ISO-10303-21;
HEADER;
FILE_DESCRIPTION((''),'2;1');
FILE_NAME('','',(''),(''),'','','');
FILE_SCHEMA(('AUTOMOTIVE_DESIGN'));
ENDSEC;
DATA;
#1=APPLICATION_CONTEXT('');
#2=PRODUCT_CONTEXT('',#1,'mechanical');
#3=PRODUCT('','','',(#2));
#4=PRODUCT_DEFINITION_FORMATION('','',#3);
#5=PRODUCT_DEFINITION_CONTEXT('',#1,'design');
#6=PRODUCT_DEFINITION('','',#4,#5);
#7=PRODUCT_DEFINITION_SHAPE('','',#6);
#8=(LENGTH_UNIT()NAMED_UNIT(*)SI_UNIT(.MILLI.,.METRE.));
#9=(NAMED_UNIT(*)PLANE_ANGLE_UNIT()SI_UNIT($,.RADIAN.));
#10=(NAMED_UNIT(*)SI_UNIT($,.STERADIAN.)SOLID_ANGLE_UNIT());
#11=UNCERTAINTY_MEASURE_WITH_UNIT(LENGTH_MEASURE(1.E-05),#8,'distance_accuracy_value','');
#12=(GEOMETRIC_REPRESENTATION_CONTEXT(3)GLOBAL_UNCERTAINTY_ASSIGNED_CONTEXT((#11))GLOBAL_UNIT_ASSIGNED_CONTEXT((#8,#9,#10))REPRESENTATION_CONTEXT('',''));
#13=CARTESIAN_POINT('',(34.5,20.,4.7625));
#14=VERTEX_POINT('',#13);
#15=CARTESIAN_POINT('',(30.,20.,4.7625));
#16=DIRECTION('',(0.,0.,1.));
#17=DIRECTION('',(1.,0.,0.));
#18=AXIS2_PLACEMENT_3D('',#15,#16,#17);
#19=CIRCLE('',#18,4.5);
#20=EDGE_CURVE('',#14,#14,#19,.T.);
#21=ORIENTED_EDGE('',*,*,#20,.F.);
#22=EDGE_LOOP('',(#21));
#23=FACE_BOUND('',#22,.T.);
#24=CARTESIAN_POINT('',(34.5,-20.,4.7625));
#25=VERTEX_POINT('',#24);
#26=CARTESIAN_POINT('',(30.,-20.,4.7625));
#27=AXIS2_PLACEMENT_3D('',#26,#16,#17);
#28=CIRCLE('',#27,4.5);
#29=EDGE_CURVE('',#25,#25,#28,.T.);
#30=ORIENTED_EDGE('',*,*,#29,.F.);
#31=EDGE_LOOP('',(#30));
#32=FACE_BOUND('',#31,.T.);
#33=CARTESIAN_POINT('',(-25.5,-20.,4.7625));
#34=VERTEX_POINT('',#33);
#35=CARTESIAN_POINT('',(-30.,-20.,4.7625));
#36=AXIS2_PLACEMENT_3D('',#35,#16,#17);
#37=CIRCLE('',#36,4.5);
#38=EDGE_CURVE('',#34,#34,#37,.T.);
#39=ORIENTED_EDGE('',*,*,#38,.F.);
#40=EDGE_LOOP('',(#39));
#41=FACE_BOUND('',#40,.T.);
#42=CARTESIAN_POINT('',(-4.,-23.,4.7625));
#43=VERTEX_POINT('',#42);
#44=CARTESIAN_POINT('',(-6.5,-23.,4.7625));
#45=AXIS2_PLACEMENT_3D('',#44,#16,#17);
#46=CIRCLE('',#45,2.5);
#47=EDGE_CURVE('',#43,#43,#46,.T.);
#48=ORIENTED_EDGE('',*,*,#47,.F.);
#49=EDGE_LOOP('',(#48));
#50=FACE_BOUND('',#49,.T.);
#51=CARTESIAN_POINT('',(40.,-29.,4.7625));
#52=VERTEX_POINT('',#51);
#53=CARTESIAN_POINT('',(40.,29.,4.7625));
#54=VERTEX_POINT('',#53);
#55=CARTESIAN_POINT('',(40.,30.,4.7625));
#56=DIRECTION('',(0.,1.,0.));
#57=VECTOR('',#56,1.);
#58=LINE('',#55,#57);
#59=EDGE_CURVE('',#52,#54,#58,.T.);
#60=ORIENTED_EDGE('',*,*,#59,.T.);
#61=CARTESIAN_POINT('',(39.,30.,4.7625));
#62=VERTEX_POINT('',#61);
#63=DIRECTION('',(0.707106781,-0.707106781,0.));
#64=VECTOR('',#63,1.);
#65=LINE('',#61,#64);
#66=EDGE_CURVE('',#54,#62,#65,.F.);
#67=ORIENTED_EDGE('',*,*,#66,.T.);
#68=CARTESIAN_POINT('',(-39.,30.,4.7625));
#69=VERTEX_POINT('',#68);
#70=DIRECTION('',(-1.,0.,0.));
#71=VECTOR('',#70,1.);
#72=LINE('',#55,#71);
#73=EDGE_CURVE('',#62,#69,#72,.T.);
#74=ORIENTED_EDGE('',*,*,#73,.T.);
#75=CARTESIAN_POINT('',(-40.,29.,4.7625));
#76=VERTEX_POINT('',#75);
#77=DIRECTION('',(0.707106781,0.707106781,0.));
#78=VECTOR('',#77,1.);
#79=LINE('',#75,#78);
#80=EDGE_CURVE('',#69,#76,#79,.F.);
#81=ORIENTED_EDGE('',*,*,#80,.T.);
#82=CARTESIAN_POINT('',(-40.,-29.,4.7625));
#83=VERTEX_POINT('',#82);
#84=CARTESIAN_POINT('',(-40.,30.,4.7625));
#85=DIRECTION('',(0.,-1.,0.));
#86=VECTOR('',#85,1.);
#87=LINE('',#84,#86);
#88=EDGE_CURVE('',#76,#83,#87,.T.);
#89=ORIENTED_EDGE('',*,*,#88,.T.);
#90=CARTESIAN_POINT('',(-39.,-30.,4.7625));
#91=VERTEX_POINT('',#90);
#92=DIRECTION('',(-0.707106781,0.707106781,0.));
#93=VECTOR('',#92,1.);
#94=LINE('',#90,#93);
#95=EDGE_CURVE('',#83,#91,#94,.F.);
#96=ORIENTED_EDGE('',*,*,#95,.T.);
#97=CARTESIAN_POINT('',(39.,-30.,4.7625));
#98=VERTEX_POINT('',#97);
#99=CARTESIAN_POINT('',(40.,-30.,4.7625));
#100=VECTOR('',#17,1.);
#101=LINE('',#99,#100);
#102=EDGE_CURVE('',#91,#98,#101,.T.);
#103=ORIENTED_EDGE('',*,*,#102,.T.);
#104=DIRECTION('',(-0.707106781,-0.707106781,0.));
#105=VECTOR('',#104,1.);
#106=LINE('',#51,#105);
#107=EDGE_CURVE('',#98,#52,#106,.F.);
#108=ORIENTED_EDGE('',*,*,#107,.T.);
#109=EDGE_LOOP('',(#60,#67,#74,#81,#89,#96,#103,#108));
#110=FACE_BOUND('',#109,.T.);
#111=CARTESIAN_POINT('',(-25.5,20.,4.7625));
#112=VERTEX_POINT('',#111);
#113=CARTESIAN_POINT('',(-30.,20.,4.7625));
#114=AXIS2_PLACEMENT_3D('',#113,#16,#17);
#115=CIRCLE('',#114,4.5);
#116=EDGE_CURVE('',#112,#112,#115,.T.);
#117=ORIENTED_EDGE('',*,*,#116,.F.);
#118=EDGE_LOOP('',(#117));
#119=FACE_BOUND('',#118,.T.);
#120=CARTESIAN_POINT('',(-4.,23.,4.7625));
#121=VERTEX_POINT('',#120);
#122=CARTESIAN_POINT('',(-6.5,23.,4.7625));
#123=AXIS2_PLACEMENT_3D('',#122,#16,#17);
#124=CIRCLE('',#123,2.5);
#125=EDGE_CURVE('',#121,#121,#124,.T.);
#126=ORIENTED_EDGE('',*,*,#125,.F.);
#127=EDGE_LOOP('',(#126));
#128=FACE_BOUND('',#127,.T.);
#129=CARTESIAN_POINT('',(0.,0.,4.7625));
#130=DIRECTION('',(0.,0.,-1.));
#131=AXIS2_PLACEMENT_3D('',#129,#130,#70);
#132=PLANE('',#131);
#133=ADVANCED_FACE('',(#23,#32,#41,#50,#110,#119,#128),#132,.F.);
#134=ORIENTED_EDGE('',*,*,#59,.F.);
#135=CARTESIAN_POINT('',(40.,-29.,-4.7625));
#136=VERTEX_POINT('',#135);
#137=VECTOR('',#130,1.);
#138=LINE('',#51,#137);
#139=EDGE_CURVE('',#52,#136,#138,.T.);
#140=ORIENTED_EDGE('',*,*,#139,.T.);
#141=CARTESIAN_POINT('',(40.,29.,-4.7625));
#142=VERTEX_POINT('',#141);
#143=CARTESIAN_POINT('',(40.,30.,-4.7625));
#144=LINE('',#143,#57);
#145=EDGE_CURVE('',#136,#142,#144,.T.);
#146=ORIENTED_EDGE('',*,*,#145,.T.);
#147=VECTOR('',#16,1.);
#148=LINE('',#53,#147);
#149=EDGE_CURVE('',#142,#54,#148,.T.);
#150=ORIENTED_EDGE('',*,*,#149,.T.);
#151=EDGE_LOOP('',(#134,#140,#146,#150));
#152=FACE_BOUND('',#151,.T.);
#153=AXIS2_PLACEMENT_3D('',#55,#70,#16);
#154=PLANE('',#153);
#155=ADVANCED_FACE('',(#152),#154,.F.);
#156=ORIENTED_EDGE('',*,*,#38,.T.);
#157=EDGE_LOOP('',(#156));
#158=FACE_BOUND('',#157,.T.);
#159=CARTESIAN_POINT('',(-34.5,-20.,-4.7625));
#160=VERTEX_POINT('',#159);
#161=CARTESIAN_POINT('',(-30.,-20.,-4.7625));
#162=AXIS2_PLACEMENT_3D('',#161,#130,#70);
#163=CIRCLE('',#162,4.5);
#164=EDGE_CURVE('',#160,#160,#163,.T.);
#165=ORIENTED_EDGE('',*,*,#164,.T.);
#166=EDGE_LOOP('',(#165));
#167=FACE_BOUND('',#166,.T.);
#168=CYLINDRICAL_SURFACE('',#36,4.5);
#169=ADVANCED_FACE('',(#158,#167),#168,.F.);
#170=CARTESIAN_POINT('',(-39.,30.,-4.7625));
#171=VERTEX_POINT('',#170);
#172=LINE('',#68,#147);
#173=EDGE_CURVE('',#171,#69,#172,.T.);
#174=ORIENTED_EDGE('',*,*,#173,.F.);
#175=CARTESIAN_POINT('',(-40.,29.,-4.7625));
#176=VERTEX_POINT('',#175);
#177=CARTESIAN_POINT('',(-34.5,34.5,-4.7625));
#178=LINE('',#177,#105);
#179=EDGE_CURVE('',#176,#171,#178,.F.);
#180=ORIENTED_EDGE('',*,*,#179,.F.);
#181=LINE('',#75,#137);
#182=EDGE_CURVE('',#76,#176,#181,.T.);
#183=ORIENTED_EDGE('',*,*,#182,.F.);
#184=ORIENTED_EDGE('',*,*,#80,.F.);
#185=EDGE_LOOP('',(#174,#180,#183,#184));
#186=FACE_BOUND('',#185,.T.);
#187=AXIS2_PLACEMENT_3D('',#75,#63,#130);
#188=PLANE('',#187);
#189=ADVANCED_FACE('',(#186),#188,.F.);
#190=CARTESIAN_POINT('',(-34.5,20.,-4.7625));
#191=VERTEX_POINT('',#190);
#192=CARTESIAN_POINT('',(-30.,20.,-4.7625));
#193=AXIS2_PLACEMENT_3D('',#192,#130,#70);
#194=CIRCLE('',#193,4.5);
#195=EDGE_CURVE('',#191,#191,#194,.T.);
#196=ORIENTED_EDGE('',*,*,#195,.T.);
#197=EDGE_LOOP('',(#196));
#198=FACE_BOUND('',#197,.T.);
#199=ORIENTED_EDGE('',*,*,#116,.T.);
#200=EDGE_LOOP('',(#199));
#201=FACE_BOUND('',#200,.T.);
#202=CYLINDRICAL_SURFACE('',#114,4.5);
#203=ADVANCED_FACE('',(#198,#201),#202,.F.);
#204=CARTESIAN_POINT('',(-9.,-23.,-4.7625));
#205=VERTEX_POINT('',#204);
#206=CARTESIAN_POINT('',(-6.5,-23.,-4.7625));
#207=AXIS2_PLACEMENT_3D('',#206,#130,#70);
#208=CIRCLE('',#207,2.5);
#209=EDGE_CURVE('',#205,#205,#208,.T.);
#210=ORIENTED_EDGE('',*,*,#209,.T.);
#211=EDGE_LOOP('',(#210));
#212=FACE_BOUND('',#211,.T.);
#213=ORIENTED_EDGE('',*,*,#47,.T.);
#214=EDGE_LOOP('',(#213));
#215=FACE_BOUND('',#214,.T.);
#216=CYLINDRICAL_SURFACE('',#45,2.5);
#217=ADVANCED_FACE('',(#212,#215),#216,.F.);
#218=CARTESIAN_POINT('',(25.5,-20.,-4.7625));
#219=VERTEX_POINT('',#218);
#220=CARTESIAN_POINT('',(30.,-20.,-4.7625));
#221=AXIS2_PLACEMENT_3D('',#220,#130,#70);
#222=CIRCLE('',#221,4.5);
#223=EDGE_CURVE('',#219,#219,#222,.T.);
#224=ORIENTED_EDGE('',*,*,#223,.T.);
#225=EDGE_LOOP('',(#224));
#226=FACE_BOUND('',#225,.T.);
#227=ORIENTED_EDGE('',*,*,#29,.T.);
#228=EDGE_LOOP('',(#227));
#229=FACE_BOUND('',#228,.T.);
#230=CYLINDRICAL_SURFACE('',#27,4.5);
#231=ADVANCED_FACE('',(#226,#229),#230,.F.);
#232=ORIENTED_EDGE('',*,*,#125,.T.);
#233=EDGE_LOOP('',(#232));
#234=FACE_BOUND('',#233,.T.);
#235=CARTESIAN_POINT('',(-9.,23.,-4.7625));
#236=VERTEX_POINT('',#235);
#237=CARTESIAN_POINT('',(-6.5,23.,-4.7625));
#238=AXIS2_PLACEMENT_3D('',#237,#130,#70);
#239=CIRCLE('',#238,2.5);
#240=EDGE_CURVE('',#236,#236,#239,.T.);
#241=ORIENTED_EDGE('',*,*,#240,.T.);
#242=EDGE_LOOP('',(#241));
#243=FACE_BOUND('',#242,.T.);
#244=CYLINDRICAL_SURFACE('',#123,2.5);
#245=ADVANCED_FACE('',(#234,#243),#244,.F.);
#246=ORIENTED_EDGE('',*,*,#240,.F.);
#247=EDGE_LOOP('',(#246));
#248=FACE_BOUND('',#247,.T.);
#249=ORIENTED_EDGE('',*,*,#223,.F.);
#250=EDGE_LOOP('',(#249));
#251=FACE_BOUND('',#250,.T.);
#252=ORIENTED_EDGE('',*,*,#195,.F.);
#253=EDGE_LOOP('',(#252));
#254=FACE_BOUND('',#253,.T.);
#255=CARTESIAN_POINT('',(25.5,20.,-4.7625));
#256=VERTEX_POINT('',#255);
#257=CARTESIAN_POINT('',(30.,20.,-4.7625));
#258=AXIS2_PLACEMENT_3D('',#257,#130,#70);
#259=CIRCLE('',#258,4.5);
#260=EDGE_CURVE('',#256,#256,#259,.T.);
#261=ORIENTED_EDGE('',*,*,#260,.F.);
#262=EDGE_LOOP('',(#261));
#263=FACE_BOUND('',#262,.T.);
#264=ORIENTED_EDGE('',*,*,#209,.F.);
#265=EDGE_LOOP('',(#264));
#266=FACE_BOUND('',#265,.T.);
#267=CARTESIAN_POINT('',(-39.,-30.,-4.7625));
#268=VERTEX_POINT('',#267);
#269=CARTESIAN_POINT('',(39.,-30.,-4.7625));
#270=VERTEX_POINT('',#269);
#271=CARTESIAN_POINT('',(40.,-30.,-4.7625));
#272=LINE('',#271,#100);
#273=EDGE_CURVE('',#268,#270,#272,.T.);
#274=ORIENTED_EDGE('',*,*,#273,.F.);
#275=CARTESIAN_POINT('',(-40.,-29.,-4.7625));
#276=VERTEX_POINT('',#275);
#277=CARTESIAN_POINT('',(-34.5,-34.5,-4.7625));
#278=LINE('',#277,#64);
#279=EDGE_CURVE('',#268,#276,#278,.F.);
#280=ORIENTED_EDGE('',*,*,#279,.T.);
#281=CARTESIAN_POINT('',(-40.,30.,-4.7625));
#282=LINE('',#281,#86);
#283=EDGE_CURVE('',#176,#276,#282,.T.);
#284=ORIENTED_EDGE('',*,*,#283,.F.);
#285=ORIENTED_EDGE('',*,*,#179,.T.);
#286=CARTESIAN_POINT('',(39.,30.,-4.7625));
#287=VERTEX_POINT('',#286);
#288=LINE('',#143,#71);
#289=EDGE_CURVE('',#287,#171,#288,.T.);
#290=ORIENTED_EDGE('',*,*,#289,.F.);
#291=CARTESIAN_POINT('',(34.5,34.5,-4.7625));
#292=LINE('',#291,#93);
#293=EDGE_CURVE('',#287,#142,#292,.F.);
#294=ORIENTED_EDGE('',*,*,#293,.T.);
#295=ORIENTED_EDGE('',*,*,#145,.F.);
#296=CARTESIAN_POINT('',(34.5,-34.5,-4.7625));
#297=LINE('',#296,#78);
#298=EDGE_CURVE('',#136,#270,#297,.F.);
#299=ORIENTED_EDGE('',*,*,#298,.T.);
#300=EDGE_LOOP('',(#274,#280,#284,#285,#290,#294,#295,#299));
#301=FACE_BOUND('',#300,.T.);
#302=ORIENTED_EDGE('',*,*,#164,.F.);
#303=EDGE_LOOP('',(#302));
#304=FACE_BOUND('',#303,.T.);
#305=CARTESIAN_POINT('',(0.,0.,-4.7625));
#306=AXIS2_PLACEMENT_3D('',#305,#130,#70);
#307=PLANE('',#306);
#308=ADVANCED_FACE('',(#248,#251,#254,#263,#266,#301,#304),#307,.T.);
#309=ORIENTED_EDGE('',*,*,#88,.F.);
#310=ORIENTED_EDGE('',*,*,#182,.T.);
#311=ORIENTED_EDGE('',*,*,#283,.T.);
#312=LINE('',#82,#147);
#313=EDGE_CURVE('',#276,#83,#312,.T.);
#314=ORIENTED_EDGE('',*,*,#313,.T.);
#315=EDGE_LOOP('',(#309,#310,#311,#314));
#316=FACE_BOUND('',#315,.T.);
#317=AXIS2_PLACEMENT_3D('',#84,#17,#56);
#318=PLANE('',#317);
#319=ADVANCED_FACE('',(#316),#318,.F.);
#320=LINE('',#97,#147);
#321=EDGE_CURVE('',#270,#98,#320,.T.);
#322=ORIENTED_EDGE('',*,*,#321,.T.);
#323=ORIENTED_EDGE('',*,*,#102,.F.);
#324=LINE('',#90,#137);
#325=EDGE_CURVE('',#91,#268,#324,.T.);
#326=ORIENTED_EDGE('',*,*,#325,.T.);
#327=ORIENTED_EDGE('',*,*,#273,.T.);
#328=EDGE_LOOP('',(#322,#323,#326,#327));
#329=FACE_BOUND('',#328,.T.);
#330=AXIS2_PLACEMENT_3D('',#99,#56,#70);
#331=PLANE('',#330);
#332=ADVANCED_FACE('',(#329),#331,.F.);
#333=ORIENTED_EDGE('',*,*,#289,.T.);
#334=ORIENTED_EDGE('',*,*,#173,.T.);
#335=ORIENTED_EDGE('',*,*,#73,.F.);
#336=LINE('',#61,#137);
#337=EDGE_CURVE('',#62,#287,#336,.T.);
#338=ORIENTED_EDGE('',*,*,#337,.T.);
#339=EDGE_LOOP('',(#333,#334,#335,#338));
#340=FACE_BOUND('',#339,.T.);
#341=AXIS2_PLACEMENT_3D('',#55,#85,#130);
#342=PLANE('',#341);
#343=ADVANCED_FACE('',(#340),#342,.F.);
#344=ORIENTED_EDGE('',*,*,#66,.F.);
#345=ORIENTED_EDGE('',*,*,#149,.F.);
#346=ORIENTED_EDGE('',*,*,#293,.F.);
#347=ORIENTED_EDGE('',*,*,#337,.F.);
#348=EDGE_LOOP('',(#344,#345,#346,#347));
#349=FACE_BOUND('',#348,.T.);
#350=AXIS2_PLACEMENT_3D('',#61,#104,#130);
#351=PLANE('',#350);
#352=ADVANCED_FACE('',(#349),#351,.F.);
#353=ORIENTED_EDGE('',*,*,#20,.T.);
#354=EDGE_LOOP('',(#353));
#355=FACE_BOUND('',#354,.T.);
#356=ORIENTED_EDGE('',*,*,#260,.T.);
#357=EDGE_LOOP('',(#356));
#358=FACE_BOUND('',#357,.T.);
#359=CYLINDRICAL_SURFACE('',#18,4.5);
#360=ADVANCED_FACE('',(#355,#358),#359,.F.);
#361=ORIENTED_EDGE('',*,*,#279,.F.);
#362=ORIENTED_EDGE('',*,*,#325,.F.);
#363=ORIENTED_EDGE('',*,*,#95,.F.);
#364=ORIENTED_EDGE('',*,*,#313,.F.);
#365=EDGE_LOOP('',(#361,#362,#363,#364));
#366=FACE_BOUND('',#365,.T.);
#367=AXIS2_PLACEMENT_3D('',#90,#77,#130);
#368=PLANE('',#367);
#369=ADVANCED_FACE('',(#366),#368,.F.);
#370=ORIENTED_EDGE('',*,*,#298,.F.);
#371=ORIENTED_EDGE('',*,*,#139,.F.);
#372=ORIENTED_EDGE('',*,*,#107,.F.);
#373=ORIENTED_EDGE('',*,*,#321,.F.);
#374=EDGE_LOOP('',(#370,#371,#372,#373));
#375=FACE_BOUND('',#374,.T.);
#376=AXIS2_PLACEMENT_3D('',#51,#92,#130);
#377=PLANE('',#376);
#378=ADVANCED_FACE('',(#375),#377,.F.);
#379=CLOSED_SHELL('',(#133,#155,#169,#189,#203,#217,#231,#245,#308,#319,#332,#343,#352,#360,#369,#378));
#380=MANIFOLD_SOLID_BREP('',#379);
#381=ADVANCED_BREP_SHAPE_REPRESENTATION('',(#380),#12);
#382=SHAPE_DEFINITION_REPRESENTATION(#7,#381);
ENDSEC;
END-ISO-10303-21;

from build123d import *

# Parameters (mm, degrees)
SKETCH1_W             = 80
SKETCH1_H             = 60
BOSS_EXTRUDE1_DEPTH   = 4.7625
M8_CLEARANCE_HOLE1_D  = 9
M6X1_0_TAPPED_HOLE2_D = 5
CHAMFER1_SIZE         = 1


with BuildPart() as part:
    # Sketch1 → Boss-Extrude1 (new, symmetric)
    with BuildSketch(Plane.XY):
        Rectangle(SKETCH1_W, SKETCH1_H)
    extrude(amount=BOSS_EXTRUDE1_DEPTH, both=True)

    # M8 Clearance Hole1 (through all)
    with Locations(Plane.XY.offset(4.7625)):
        with Locations((-30, 20), (30, 20), (30, -20), (-30, -20)):
            Hole(M8_CLEARANCE_HOLE1_D / 2)

    # M6x1.0 Tapped Hole2 (through all)
    with Locations(Plane.XY.offset(4.7625)):
        with Locations((-6.5, 23), (-6.5, -23)):
            Hole(M6X1_0_TAPPED_HOLE2_D / 2)

    # Chamfer1
    chamfer1_edges = [part.edges().sort_by_distance(p)[0] for p in [
        (-40, 30, 0),
        (40, 30, 0),
        (40, -30, 0),
        (-40, -30, 0),
    ]]
    chamfer(chamfer1_edges, length=CHAMFER1_SIZE)


solid = part.part
